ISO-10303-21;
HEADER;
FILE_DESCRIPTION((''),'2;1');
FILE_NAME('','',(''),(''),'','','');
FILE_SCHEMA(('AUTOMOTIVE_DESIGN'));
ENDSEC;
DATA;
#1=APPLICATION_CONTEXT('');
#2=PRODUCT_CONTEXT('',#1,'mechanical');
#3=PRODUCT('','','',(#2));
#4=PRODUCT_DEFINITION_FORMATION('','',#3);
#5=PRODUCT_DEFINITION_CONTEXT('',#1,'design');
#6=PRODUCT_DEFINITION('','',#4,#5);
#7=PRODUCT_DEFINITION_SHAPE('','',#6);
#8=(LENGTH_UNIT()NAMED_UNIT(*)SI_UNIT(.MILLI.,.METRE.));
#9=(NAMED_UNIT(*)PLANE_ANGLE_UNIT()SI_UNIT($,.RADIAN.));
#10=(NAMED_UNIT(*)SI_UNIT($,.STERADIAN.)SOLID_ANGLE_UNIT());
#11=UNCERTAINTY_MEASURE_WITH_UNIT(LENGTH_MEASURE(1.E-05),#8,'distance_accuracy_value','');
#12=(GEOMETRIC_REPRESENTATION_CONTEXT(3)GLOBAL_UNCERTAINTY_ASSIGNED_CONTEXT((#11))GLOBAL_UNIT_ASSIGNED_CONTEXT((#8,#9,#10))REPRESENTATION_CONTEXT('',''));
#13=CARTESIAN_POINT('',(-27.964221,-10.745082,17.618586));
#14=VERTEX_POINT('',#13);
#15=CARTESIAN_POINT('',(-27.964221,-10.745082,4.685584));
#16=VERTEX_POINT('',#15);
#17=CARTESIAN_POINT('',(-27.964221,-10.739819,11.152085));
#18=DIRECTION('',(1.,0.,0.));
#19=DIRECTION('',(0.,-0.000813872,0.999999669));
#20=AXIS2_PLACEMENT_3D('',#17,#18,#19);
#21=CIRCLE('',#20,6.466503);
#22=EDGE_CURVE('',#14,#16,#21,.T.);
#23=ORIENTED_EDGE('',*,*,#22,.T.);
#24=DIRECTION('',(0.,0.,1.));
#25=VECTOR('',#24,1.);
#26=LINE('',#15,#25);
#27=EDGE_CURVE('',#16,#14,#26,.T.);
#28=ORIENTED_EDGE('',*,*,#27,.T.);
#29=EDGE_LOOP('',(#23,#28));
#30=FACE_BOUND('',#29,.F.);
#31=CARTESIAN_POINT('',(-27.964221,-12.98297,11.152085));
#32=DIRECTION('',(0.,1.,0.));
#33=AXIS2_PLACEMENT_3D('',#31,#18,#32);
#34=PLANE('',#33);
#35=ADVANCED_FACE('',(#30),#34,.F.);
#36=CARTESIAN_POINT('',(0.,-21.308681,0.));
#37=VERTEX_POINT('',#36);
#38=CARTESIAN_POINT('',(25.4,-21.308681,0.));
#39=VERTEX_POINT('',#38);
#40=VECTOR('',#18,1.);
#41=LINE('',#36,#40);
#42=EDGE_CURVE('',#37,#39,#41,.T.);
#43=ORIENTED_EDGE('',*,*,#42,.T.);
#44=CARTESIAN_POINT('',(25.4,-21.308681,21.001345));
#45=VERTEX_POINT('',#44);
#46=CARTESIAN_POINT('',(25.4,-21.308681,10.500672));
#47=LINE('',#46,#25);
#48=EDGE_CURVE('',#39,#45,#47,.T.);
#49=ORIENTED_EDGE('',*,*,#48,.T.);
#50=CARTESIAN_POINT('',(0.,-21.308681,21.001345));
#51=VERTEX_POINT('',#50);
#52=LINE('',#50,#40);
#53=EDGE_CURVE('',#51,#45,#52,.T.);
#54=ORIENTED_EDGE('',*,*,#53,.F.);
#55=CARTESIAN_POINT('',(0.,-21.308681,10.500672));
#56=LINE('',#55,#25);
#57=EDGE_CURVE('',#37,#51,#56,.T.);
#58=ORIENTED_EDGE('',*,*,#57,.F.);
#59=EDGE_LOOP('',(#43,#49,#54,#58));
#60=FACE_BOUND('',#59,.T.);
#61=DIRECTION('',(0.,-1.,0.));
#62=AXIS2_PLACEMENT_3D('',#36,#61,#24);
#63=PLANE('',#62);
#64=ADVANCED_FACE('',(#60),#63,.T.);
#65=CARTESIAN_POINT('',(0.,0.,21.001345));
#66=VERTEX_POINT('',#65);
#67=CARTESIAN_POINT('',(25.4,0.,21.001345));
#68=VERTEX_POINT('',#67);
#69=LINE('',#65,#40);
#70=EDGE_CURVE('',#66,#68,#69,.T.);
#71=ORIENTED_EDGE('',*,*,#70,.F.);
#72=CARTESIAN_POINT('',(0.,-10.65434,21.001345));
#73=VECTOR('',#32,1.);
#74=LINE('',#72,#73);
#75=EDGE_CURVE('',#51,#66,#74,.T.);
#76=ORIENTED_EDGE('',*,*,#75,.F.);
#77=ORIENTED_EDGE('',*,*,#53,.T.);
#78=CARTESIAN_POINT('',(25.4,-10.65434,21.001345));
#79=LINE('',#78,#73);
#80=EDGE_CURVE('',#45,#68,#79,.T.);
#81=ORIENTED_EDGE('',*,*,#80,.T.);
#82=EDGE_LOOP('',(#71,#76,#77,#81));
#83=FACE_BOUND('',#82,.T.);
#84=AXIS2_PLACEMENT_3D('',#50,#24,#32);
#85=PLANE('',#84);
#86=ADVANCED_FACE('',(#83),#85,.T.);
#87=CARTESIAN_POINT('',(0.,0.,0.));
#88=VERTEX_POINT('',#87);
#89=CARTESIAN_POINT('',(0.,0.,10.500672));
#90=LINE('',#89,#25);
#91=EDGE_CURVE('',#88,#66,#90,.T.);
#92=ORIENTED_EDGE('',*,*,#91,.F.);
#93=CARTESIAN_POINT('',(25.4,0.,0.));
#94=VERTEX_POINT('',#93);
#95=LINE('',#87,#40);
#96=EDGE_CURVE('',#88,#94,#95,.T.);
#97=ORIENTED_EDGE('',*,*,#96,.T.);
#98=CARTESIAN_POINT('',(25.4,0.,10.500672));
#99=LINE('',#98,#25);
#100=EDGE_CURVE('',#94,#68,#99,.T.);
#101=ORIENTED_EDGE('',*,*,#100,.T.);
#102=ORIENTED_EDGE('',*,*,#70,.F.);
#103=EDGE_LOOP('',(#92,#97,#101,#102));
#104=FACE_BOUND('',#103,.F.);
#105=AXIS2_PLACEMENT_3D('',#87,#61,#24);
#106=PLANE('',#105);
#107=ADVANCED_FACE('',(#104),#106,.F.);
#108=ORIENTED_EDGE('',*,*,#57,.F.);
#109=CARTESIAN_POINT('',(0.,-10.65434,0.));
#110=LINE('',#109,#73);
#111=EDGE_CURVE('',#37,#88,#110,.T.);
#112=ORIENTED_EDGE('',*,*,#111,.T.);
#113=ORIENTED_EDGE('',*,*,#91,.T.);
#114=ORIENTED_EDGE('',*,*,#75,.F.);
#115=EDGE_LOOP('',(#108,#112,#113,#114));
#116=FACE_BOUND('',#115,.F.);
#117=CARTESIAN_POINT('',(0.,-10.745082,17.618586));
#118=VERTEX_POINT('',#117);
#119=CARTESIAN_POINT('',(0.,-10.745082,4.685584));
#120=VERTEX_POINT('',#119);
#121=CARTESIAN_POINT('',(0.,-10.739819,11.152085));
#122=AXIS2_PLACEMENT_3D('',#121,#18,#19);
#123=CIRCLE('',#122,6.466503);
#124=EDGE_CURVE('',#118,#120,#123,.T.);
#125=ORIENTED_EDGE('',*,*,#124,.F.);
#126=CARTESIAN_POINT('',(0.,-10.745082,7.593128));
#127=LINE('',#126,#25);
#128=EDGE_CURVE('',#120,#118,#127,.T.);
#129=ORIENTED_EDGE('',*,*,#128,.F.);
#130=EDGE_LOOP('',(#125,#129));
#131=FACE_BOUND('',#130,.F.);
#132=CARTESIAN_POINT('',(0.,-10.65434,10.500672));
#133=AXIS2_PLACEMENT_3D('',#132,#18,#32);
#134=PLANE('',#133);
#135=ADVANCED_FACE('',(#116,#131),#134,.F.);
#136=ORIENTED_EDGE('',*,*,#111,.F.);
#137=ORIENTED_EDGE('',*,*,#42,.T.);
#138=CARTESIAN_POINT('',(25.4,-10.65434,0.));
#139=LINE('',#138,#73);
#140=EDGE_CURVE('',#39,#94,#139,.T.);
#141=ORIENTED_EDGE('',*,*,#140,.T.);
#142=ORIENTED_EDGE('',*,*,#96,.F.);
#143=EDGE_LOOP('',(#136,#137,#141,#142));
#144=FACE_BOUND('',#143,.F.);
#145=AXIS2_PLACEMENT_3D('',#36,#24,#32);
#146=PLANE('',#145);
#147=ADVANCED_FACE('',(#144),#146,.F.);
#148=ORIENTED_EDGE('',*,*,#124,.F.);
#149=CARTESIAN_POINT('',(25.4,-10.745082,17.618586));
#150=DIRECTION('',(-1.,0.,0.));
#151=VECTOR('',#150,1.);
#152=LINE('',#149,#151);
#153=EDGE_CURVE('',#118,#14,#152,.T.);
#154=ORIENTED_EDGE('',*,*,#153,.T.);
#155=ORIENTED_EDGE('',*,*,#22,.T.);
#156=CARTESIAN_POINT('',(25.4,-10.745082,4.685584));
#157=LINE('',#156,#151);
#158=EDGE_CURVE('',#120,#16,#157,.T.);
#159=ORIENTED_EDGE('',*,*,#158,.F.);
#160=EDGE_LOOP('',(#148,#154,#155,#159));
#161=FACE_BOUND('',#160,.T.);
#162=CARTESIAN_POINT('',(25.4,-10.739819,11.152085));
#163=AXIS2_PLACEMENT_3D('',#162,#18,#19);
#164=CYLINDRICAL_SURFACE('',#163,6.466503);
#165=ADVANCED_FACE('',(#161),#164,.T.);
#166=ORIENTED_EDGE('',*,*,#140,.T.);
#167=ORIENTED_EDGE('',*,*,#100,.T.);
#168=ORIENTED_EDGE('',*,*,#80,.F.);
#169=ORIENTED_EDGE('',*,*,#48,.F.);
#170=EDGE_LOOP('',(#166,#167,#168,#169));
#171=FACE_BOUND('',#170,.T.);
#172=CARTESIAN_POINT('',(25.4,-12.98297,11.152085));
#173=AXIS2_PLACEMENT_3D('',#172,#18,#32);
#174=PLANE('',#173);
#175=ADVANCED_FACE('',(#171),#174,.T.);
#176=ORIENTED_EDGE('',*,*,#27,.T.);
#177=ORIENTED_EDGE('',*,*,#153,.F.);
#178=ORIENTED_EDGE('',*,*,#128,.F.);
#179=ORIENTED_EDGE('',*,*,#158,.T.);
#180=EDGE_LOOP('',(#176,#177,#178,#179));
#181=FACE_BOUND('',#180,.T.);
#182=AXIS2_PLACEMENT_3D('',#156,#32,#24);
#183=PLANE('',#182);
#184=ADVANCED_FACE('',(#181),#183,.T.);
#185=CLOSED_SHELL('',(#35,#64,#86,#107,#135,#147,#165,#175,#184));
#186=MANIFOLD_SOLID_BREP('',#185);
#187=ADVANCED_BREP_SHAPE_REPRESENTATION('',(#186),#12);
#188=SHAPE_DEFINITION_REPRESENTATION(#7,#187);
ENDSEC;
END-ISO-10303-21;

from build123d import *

# Parameters (mm, degrees)
F0_W     = 21.3086809963
F0_H     = 21.0013445467
F1_DEPTH = 25.4
F3_DEPTH = 53.3642210066


with BuildPart() as f1:
    # F0 (on Right) → F1 (new body)
    with BuildSketch(Plane.YZ):
        with Locations((-10.6543404981, 10.5006722733)):
            Rectangle(F0_W, F0_H)
    extrude(amount=F1_DEPTH)

    # F2 (on face) → F3 (join)
    with BuildSketch(Plane.YZ.offset(25.4)):
        with BuildLine():
            Line((-10.7450820506, 4.6855835698), (-10.7450820506, 17.6185862639))
            ThreePointArc((-10.7450820506, 17.6185862639), (-17.2063226354, 11.1520849168), (-10.7450820506, 4.6855835698))
        make_face()
    extrude(amount=-F3_DEPTH)


solid = f1.part
